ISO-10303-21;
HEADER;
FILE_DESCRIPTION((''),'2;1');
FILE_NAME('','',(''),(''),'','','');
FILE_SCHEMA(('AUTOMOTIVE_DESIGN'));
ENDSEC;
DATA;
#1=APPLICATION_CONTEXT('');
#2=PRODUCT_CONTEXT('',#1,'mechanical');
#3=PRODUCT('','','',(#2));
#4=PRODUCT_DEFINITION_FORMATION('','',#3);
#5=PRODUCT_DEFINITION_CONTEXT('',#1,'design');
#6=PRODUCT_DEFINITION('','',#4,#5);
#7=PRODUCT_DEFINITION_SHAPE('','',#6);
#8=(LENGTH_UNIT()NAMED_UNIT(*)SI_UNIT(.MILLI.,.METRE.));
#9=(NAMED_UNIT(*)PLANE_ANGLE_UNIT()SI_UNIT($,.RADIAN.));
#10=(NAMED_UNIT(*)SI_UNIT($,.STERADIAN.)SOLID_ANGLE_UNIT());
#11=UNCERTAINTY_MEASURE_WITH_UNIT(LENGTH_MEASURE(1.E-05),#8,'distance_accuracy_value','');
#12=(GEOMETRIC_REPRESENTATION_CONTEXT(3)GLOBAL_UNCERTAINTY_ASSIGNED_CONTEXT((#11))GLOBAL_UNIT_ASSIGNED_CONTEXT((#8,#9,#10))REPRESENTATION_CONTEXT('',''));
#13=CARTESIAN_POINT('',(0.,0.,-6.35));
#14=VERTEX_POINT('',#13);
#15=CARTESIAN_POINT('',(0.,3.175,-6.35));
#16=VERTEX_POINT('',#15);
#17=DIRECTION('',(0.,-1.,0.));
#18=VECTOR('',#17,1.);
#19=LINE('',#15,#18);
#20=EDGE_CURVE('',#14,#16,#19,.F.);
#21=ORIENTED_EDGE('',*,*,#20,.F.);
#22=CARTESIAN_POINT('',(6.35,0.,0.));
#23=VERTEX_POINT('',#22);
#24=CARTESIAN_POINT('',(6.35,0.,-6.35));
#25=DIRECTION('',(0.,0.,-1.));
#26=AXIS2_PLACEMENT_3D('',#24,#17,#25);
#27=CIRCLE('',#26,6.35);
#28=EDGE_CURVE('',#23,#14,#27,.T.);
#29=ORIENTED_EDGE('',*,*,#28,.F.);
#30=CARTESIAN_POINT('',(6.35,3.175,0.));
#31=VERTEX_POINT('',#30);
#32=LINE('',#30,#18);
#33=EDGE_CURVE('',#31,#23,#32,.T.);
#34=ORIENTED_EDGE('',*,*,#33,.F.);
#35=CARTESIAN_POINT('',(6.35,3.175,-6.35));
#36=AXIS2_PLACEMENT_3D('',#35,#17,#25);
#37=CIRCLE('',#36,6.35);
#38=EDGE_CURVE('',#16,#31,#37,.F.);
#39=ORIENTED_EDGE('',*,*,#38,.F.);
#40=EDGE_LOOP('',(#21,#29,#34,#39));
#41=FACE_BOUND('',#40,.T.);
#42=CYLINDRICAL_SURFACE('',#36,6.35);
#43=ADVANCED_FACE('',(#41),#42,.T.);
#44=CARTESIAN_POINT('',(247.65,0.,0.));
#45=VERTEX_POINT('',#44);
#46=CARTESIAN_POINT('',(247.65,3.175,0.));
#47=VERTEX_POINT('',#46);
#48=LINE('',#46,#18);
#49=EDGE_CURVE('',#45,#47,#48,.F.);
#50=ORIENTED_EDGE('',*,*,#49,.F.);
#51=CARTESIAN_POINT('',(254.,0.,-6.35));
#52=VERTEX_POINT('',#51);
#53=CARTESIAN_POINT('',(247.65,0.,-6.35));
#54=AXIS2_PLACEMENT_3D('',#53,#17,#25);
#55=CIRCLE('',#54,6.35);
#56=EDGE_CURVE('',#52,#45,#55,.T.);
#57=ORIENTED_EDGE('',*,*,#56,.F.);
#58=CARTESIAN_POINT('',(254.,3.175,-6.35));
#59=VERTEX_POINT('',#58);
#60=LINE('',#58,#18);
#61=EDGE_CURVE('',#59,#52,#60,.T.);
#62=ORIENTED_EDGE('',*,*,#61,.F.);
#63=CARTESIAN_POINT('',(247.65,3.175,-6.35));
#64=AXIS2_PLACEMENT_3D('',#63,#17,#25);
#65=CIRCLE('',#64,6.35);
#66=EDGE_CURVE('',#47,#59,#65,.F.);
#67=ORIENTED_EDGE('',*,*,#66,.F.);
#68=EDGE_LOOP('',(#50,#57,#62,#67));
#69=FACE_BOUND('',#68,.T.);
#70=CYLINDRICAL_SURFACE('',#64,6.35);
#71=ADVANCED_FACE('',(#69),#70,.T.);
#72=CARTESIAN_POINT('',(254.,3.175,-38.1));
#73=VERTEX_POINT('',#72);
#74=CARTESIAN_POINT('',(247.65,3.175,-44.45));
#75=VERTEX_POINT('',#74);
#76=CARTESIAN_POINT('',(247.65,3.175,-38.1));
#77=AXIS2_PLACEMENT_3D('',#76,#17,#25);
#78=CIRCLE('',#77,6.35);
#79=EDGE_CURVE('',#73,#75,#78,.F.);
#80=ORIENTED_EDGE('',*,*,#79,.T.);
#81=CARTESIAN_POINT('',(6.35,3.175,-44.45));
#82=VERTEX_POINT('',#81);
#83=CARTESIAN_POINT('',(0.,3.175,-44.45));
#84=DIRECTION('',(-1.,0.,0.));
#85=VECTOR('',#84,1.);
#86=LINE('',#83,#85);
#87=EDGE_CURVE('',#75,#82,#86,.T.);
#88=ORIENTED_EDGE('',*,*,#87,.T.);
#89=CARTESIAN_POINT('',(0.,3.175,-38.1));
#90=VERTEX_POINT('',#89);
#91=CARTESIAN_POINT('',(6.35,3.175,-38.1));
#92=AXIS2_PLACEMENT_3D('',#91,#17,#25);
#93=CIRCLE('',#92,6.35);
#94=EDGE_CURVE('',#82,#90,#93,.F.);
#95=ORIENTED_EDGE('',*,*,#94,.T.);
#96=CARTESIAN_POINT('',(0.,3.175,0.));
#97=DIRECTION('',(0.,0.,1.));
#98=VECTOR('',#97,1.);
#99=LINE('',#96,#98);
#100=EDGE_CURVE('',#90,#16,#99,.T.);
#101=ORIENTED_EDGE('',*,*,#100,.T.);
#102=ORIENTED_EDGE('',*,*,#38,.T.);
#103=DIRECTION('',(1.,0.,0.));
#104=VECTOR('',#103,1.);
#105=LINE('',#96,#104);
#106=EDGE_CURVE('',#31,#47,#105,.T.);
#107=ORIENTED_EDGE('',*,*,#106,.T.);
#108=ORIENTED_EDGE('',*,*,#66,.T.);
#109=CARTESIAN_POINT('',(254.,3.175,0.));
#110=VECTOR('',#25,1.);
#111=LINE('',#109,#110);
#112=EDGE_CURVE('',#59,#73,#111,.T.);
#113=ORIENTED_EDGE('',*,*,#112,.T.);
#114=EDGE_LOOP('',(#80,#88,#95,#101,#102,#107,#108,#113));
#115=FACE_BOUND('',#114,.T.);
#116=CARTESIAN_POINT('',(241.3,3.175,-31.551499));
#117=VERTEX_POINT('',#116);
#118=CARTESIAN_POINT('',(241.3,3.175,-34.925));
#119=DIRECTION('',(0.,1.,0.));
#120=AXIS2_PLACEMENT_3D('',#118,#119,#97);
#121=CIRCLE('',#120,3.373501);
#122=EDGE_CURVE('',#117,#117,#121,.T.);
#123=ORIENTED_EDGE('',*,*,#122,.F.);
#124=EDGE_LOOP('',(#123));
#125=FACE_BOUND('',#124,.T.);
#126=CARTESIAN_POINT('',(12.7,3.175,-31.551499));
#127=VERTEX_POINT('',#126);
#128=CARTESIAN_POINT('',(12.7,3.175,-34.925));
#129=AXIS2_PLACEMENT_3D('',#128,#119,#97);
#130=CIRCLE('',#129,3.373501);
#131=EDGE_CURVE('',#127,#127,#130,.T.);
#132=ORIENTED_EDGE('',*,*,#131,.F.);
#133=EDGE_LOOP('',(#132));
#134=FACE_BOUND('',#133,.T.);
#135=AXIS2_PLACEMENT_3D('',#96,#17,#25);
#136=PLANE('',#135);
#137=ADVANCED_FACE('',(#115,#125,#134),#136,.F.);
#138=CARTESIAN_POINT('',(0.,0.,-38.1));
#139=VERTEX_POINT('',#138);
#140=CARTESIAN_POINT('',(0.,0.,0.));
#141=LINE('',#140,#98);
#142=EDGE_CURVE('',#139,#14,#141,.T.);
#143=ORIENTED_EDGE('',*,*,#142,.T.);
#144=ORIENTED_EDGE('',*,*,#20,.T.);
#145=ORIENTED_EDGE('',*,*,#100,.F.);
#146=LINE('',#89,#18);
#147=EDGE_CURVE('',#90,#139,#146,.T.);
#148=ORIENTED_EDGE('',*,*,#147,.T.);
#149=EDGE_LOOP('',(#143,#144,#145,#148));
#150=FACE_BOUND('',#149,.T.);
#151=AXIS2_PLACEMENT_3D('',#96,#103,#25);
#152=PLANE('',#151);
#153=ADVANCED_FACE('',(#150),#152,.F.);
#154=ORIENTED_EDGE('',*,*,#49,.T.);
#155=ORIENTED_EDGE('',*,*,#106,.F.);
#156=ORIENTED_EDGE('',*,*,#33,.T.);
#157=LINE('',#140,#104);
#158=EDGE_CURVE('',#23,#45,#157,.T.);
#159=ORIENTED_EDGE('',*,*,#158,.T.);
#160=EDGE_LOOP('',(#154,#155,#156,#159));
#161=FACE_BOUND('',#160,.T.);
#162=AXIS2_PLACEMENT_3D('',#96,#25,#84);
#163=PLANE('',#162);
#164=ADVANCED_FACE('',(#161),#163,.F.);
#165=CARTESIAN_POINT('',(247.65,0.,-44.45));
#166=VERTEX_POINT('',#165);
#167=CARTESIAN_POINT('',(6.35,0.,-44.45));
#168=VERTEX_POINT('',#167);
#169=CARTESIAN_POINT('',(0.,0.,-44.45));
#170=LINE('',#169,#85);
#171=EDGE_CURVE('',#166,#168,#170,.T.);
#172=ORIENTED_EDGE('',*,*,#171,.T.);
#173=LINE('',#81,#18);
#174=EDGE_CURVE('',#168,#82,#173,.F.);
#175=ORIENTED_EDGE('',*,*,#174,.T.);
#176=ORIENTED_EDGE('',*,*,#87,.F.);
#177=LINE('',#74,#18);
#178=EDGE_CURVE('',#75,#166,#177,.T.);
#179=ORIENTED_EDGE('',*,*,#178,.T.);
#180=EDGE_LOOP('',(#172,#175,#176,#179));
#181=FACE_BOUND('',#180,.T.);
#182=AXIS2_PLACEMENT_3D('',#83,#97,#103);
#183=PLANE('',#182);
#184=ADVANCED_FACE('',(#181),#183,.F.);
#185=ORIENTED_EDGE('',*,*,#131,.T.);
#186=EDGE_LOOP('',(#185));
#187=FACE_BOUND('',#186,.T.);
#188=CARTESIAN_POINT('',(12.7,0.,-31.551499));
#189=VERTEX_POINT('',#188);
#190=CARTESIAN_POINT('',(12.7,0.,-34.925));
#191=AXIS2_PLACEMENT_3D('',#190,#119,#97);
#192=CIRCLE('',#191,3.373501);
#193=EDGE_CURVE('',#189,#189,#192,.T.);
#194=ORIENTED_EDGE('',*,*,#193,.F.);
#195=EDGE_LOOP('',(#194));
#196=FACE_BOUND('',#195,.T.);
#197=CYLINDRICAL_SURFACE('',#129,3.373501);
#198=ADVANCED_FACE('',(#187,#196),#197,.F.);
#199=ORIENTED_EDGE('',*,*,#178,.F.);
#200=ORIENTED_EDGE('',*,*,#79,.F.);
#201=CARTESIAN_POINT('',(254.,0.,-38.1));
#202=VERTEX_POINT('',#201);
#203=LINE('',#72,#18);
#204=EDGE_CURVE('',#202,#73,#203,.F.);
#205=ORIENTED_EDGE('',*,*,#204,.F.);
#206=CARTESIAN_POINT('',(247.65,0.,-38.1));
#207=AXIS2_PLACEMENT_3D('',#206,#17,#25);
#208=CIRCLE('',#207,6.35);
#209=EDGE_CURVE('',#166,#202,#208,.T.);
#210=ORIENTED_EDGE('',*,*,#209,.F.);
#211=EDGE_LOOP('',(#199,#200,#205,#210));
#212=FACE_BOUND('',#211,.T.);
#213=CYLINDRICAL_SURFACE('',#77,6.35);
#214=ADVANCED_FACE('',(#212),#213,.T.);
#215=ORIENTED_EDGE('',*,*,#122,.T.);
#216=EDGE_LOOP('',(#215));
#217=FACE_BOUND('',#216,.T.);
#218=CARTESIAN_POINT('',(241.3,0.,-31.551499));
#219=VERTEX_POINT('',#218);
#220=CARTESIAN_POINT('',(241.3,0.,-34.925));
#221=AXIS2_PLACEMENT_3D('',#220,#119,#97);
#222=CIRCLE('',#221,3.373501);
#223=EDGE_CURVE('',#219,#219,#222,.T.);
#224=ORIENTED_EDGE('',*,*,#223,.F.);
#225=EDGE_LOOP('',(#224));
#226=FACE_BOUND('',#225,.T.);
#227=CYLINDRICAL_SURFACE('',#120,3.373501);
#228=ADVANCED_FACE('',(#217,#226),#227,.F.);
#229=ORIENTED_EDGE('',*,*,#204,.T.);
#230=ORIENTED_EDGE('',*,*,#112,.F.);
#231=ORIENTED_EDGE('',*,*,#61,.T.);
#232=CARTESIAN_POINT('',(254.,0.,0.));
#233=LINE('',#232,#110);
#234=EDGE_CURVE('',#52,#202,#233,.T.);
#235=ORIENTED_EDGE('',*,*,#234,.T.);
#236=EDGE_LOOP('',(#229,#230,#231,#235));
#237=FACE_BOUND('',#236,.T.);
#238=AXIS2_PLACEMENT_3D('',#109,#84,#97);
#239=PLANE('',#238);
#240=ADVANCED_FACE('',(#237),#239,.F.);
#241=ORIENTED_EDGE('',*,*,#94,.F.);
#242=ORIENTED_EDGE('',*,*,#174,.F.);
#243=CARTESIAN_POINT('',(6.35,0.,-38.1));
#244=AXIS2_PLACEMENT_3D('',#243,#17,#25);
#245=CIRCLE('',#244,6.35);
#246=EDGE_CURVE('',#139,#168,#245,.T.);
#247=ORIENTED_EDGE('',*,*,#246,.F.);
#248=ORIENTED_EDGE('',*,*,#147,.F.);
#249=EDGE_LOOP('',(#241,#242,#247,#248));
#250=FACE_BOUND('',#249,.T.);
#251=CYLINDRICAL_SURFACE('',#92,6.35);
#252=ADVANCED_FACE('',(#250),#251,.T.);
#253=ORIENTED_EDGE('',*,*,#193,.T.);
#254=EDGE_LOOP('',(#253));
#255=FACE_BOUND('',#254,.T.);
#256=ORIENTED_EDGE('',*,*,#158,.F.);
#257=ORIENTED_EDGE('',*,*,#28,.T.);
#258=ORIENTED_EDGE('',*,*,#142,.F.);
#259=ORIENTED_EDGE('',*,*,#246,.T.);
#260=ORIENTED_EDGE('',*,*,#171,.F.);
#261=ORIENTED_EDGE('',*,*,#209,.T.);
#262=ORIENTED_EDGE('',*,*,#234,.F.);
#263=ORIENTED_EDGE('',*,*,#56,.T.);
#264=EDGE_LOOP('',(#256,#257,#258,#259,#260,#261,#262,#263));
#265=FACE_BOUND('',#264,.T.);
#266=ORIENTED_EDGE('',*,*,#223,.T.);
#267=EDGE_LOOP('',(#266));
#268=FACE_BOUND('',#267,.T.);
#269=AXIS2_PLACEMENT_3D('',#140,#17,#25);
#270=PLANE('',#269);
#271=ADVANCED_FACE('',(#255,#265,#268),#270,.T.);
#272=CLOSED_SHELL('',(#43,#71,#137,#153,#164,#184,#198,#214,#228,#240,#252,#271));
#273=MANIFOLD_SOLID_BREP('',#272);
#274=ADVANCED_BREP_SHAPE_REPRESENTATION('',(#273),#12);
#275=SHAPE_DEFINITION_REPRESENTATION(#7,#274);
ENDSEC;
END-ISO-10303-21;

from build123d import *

# Parameters (mm, degrees)
SKETCH1_W                        = 254
SKETCH1_H                        = 44.45
BOSS_EXTRUDE1_DEPTH              = 3.175
FILLET1_R                        = 6.35
F_17_64_0_26563_DIAMETER_HOLE1_D = 6.747002


with BuildPart() as part:
    # Sketch1 → Boss-Extrude1 (new body)
    with BuildSketch(Plane(origin=(0, 0, 0), x_dir=(1, 0, 0), z_dir=(0, 1, 0))):
        with Locations((127, 22.225)):
            Rectangle(SKETCH1_W, SKETCH1_H)
    extrude(amount=BOSS_EXTRUDE1_DEPTH)

    # Fillet1
    fillet1_edges = [part.edges().sort_by_distance(p)[0] for p in [
        (0, 1.5875, -44.45),
        (254, 1.5875, -44.45),
        (254, 1.5875, 0),
        (0, 1.5875, 0),
    ]]
    fillet(fillet1_edges, radius=FILLET1_R)

    # 17/64 (0.26563) Diameter Hole1 (through all)
    with Locations(Plane(origin=(0, 3.175, 0), x_dir=(1, 0, 0), z_dir=(0, 1, 0))):
        with Locations((12.7, 34.925), (241.3, 34.925)):
            Hole(F_17_64_0_26563_DIAMETER_HOLE1_D / 2)


solid = part.part
